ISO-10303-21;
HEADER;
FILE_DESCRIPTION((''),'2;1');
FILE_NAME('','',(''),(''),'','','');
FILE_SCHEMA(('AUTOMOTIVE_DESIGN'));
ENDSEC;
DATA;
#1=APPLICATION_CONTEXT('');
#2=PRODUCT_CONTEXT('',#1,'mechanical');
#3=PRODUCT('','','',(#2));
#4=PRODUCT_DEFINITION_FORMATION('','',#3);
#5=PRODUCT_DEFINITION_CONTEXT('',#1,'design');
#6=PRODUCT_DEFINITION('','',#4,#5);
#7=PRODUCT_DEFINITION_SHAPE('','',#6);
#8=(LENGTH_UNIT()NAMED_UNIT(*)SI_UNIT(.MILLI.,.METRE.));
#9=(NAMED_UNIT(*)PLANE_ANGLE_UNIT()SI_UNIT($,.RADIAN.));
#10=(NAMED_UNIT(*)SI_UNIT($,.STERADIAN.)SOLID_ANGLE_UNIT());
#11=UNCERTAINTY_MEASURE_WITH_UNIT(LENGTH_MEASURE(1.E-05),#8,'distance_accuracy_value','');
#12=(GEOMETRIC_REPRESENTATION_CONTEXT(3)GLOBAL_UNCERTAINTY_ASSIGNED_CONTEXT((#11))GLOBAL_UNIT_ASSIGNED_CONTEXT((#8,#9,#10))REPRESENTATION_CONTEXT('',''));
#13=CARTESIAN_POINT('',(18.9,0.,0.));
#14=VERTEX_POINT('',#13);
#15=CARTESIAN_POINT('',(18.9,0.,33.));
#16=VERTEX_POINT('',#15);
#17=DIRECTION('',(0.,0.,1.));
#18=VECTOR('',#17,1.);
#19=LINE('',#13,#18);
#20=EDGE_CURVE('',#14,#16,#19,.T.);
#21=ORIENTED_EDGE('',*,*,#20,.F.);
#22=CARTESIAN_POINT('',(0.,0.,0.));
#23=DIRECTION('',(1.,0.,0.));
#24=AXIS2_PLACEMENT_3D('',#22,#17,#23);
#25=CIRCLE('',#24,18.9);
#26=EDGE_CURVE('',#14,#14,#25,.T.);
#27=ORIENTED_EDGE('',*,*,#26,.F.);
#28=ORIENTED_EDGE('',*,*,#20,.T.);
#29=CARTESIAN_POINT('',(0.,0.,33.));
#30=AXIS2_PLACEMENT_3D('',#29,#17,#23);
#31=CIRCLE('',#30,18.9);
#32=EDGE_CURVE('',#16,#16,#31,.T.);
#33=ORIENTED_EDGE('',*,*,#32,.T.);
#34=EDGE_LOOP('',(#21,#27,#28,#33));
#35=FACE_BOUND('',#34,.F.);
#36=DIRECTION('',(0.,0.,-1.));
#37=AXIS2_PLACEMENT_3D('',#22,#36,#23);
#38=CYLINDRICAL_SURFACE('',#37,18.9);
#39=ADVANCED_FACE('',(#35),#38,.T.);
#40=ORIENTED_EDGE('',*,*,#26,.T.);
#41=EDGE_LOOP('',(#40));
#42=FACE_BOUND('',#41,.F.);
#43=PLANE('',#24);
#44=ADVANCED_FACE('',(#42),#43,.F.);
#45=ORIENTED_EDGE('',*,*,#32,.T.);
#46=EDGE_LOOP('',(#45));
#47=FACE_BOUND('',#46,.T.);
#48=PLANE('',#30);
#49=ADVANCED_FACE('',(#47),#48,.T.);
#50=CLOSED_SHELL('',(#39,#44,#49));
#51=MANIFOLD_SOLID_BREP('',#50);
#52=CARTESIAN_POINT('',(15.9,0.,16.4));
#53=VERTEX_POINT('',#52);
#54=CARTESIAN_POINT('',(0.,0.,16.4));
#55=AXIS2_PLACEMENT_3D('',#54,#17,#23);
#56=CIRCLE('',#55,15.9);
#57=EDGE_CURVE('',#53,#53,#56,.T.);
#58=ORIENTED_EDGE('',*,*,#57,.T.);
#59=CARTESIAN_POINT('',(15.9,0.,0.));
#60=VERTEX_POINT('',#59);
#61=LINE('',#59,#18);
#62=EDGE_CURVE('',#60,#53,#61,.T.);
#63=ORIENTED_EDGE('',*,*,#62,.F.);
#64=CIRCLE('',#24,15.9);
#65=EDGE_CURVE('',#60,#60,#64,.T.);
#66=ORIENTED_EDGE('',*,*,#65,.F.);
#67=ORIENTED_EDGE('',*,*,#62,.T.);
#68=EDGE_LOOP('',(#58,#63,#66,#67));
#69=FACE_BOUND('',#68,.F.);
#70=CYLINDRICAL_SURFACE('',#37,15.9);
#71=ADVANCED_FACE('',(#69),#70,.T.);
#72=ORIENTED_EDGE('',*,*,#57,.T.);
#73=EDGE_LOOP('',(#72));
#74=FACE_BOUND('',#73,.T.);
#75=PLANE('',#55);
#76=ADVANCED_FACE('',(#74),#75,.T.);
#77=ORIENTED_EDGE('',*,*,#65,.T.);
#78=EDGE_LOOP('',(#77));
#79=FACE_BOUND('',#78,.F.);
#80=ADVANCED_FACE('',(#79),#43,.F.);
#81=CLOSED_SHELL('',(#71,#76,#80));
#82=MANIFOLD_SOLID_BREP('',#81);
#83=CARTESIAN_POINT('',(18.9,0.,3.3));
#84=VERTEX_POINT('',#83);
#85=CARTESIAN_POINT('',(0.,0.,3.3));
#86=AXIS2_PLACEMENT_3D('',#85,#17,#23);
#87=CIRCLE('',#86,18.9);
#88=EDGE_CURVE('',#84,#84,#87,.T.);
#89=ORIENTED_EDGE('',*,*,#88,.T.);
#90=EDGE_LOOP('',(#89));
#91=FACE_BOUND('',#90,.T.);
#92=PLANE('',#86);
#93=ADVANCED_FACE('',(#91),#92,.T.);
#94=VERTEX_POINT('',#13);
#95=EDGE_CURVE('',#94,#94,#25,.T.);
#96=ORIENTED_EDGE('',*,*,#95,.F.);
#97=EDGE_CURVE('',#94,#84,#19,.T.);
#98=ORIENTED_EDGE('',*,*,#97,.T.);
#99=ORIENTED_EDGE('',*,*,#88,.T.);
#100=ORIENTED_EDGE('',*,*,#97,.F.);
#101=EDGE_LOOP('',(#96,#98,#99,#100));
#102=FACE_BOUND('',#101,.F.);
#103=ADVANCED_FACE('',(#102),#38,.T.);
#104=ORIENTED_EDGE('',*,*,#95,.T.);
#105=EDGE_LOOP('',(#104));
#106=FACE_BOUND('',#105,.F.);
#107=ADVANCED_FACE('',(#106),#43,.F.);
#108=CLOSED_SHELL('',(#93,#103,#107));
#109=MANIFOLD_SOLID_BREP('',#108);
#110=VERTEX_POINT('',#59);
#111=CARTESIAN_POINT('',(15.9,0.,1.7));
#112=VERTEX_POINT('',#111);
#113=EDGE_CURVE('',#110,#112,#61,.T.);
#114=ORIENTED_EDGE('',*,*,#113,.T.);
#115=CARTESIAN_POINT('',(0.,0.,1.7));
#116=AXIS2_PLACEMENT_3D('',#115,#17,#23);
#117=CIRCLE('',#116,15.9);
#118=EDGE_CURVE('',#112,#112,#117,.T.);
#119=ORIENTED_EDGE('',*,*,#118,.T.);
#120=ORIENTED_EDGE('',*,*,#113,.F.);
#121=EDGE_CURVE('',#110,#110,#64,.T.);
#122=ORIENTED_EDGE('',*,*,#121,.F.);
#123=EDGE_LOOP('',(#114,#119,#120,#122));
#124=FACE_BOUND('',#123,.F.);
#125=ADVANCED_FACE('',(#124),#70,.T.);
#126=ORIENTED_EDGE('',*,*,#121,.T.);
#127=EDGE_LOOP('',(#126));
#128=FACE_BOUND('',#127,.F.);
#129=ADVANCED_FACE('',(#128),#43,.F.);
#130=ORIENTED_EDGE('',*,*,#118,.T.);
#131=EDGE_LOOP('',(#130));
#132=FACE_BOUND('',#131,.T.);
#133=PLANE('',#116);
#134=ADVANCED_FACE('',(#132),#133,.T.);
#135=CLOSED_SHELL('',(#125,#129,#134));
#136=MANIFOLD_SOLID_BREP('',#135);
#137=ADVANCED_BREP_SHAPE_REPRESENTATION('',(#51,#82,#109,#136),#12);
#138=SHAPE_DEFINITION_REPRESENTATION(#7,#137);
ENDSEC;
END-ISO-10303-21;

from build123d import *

# Parameters (mm, degrees)
F0_R     = 18.9
F1_DEPTH = 3.3
F2_R     = 15.9
F3_DEPTH = 1.7
F4_DEPTH = 16.4
F5_DEPTH = 33


with BuildPart() as f1:
    # F0 (on Top) → F1 (new body)
    with BuildSketch(Plane.XY):
        Circle(F0_R)
    extrude(amount=F1_DEPTH)


with BuildPart() as f3:
    # F2 (on Top) → F3 (new body)
    with BuildSketch(Plane.XY):
        Circle(F2_R)
    extrude(amount=F3_DEPTH)


with BuildPart() as f4:
    # F2 (on Top) → F4 (new body)
    with BuildSketch(Plane.XY):
        Circle(F2_R)
    extrude(amount=F4_DEPTH)


with BuildPart() as f5:
    # F0 (on Top) → F5 (new body)
    with BuildSketch(Plane.XY):
        Circle(F0_R)
    extrude(amount=F5_DEPTH)


solid = Compound([f1.part, f3.part, f4.part, f5.part])
